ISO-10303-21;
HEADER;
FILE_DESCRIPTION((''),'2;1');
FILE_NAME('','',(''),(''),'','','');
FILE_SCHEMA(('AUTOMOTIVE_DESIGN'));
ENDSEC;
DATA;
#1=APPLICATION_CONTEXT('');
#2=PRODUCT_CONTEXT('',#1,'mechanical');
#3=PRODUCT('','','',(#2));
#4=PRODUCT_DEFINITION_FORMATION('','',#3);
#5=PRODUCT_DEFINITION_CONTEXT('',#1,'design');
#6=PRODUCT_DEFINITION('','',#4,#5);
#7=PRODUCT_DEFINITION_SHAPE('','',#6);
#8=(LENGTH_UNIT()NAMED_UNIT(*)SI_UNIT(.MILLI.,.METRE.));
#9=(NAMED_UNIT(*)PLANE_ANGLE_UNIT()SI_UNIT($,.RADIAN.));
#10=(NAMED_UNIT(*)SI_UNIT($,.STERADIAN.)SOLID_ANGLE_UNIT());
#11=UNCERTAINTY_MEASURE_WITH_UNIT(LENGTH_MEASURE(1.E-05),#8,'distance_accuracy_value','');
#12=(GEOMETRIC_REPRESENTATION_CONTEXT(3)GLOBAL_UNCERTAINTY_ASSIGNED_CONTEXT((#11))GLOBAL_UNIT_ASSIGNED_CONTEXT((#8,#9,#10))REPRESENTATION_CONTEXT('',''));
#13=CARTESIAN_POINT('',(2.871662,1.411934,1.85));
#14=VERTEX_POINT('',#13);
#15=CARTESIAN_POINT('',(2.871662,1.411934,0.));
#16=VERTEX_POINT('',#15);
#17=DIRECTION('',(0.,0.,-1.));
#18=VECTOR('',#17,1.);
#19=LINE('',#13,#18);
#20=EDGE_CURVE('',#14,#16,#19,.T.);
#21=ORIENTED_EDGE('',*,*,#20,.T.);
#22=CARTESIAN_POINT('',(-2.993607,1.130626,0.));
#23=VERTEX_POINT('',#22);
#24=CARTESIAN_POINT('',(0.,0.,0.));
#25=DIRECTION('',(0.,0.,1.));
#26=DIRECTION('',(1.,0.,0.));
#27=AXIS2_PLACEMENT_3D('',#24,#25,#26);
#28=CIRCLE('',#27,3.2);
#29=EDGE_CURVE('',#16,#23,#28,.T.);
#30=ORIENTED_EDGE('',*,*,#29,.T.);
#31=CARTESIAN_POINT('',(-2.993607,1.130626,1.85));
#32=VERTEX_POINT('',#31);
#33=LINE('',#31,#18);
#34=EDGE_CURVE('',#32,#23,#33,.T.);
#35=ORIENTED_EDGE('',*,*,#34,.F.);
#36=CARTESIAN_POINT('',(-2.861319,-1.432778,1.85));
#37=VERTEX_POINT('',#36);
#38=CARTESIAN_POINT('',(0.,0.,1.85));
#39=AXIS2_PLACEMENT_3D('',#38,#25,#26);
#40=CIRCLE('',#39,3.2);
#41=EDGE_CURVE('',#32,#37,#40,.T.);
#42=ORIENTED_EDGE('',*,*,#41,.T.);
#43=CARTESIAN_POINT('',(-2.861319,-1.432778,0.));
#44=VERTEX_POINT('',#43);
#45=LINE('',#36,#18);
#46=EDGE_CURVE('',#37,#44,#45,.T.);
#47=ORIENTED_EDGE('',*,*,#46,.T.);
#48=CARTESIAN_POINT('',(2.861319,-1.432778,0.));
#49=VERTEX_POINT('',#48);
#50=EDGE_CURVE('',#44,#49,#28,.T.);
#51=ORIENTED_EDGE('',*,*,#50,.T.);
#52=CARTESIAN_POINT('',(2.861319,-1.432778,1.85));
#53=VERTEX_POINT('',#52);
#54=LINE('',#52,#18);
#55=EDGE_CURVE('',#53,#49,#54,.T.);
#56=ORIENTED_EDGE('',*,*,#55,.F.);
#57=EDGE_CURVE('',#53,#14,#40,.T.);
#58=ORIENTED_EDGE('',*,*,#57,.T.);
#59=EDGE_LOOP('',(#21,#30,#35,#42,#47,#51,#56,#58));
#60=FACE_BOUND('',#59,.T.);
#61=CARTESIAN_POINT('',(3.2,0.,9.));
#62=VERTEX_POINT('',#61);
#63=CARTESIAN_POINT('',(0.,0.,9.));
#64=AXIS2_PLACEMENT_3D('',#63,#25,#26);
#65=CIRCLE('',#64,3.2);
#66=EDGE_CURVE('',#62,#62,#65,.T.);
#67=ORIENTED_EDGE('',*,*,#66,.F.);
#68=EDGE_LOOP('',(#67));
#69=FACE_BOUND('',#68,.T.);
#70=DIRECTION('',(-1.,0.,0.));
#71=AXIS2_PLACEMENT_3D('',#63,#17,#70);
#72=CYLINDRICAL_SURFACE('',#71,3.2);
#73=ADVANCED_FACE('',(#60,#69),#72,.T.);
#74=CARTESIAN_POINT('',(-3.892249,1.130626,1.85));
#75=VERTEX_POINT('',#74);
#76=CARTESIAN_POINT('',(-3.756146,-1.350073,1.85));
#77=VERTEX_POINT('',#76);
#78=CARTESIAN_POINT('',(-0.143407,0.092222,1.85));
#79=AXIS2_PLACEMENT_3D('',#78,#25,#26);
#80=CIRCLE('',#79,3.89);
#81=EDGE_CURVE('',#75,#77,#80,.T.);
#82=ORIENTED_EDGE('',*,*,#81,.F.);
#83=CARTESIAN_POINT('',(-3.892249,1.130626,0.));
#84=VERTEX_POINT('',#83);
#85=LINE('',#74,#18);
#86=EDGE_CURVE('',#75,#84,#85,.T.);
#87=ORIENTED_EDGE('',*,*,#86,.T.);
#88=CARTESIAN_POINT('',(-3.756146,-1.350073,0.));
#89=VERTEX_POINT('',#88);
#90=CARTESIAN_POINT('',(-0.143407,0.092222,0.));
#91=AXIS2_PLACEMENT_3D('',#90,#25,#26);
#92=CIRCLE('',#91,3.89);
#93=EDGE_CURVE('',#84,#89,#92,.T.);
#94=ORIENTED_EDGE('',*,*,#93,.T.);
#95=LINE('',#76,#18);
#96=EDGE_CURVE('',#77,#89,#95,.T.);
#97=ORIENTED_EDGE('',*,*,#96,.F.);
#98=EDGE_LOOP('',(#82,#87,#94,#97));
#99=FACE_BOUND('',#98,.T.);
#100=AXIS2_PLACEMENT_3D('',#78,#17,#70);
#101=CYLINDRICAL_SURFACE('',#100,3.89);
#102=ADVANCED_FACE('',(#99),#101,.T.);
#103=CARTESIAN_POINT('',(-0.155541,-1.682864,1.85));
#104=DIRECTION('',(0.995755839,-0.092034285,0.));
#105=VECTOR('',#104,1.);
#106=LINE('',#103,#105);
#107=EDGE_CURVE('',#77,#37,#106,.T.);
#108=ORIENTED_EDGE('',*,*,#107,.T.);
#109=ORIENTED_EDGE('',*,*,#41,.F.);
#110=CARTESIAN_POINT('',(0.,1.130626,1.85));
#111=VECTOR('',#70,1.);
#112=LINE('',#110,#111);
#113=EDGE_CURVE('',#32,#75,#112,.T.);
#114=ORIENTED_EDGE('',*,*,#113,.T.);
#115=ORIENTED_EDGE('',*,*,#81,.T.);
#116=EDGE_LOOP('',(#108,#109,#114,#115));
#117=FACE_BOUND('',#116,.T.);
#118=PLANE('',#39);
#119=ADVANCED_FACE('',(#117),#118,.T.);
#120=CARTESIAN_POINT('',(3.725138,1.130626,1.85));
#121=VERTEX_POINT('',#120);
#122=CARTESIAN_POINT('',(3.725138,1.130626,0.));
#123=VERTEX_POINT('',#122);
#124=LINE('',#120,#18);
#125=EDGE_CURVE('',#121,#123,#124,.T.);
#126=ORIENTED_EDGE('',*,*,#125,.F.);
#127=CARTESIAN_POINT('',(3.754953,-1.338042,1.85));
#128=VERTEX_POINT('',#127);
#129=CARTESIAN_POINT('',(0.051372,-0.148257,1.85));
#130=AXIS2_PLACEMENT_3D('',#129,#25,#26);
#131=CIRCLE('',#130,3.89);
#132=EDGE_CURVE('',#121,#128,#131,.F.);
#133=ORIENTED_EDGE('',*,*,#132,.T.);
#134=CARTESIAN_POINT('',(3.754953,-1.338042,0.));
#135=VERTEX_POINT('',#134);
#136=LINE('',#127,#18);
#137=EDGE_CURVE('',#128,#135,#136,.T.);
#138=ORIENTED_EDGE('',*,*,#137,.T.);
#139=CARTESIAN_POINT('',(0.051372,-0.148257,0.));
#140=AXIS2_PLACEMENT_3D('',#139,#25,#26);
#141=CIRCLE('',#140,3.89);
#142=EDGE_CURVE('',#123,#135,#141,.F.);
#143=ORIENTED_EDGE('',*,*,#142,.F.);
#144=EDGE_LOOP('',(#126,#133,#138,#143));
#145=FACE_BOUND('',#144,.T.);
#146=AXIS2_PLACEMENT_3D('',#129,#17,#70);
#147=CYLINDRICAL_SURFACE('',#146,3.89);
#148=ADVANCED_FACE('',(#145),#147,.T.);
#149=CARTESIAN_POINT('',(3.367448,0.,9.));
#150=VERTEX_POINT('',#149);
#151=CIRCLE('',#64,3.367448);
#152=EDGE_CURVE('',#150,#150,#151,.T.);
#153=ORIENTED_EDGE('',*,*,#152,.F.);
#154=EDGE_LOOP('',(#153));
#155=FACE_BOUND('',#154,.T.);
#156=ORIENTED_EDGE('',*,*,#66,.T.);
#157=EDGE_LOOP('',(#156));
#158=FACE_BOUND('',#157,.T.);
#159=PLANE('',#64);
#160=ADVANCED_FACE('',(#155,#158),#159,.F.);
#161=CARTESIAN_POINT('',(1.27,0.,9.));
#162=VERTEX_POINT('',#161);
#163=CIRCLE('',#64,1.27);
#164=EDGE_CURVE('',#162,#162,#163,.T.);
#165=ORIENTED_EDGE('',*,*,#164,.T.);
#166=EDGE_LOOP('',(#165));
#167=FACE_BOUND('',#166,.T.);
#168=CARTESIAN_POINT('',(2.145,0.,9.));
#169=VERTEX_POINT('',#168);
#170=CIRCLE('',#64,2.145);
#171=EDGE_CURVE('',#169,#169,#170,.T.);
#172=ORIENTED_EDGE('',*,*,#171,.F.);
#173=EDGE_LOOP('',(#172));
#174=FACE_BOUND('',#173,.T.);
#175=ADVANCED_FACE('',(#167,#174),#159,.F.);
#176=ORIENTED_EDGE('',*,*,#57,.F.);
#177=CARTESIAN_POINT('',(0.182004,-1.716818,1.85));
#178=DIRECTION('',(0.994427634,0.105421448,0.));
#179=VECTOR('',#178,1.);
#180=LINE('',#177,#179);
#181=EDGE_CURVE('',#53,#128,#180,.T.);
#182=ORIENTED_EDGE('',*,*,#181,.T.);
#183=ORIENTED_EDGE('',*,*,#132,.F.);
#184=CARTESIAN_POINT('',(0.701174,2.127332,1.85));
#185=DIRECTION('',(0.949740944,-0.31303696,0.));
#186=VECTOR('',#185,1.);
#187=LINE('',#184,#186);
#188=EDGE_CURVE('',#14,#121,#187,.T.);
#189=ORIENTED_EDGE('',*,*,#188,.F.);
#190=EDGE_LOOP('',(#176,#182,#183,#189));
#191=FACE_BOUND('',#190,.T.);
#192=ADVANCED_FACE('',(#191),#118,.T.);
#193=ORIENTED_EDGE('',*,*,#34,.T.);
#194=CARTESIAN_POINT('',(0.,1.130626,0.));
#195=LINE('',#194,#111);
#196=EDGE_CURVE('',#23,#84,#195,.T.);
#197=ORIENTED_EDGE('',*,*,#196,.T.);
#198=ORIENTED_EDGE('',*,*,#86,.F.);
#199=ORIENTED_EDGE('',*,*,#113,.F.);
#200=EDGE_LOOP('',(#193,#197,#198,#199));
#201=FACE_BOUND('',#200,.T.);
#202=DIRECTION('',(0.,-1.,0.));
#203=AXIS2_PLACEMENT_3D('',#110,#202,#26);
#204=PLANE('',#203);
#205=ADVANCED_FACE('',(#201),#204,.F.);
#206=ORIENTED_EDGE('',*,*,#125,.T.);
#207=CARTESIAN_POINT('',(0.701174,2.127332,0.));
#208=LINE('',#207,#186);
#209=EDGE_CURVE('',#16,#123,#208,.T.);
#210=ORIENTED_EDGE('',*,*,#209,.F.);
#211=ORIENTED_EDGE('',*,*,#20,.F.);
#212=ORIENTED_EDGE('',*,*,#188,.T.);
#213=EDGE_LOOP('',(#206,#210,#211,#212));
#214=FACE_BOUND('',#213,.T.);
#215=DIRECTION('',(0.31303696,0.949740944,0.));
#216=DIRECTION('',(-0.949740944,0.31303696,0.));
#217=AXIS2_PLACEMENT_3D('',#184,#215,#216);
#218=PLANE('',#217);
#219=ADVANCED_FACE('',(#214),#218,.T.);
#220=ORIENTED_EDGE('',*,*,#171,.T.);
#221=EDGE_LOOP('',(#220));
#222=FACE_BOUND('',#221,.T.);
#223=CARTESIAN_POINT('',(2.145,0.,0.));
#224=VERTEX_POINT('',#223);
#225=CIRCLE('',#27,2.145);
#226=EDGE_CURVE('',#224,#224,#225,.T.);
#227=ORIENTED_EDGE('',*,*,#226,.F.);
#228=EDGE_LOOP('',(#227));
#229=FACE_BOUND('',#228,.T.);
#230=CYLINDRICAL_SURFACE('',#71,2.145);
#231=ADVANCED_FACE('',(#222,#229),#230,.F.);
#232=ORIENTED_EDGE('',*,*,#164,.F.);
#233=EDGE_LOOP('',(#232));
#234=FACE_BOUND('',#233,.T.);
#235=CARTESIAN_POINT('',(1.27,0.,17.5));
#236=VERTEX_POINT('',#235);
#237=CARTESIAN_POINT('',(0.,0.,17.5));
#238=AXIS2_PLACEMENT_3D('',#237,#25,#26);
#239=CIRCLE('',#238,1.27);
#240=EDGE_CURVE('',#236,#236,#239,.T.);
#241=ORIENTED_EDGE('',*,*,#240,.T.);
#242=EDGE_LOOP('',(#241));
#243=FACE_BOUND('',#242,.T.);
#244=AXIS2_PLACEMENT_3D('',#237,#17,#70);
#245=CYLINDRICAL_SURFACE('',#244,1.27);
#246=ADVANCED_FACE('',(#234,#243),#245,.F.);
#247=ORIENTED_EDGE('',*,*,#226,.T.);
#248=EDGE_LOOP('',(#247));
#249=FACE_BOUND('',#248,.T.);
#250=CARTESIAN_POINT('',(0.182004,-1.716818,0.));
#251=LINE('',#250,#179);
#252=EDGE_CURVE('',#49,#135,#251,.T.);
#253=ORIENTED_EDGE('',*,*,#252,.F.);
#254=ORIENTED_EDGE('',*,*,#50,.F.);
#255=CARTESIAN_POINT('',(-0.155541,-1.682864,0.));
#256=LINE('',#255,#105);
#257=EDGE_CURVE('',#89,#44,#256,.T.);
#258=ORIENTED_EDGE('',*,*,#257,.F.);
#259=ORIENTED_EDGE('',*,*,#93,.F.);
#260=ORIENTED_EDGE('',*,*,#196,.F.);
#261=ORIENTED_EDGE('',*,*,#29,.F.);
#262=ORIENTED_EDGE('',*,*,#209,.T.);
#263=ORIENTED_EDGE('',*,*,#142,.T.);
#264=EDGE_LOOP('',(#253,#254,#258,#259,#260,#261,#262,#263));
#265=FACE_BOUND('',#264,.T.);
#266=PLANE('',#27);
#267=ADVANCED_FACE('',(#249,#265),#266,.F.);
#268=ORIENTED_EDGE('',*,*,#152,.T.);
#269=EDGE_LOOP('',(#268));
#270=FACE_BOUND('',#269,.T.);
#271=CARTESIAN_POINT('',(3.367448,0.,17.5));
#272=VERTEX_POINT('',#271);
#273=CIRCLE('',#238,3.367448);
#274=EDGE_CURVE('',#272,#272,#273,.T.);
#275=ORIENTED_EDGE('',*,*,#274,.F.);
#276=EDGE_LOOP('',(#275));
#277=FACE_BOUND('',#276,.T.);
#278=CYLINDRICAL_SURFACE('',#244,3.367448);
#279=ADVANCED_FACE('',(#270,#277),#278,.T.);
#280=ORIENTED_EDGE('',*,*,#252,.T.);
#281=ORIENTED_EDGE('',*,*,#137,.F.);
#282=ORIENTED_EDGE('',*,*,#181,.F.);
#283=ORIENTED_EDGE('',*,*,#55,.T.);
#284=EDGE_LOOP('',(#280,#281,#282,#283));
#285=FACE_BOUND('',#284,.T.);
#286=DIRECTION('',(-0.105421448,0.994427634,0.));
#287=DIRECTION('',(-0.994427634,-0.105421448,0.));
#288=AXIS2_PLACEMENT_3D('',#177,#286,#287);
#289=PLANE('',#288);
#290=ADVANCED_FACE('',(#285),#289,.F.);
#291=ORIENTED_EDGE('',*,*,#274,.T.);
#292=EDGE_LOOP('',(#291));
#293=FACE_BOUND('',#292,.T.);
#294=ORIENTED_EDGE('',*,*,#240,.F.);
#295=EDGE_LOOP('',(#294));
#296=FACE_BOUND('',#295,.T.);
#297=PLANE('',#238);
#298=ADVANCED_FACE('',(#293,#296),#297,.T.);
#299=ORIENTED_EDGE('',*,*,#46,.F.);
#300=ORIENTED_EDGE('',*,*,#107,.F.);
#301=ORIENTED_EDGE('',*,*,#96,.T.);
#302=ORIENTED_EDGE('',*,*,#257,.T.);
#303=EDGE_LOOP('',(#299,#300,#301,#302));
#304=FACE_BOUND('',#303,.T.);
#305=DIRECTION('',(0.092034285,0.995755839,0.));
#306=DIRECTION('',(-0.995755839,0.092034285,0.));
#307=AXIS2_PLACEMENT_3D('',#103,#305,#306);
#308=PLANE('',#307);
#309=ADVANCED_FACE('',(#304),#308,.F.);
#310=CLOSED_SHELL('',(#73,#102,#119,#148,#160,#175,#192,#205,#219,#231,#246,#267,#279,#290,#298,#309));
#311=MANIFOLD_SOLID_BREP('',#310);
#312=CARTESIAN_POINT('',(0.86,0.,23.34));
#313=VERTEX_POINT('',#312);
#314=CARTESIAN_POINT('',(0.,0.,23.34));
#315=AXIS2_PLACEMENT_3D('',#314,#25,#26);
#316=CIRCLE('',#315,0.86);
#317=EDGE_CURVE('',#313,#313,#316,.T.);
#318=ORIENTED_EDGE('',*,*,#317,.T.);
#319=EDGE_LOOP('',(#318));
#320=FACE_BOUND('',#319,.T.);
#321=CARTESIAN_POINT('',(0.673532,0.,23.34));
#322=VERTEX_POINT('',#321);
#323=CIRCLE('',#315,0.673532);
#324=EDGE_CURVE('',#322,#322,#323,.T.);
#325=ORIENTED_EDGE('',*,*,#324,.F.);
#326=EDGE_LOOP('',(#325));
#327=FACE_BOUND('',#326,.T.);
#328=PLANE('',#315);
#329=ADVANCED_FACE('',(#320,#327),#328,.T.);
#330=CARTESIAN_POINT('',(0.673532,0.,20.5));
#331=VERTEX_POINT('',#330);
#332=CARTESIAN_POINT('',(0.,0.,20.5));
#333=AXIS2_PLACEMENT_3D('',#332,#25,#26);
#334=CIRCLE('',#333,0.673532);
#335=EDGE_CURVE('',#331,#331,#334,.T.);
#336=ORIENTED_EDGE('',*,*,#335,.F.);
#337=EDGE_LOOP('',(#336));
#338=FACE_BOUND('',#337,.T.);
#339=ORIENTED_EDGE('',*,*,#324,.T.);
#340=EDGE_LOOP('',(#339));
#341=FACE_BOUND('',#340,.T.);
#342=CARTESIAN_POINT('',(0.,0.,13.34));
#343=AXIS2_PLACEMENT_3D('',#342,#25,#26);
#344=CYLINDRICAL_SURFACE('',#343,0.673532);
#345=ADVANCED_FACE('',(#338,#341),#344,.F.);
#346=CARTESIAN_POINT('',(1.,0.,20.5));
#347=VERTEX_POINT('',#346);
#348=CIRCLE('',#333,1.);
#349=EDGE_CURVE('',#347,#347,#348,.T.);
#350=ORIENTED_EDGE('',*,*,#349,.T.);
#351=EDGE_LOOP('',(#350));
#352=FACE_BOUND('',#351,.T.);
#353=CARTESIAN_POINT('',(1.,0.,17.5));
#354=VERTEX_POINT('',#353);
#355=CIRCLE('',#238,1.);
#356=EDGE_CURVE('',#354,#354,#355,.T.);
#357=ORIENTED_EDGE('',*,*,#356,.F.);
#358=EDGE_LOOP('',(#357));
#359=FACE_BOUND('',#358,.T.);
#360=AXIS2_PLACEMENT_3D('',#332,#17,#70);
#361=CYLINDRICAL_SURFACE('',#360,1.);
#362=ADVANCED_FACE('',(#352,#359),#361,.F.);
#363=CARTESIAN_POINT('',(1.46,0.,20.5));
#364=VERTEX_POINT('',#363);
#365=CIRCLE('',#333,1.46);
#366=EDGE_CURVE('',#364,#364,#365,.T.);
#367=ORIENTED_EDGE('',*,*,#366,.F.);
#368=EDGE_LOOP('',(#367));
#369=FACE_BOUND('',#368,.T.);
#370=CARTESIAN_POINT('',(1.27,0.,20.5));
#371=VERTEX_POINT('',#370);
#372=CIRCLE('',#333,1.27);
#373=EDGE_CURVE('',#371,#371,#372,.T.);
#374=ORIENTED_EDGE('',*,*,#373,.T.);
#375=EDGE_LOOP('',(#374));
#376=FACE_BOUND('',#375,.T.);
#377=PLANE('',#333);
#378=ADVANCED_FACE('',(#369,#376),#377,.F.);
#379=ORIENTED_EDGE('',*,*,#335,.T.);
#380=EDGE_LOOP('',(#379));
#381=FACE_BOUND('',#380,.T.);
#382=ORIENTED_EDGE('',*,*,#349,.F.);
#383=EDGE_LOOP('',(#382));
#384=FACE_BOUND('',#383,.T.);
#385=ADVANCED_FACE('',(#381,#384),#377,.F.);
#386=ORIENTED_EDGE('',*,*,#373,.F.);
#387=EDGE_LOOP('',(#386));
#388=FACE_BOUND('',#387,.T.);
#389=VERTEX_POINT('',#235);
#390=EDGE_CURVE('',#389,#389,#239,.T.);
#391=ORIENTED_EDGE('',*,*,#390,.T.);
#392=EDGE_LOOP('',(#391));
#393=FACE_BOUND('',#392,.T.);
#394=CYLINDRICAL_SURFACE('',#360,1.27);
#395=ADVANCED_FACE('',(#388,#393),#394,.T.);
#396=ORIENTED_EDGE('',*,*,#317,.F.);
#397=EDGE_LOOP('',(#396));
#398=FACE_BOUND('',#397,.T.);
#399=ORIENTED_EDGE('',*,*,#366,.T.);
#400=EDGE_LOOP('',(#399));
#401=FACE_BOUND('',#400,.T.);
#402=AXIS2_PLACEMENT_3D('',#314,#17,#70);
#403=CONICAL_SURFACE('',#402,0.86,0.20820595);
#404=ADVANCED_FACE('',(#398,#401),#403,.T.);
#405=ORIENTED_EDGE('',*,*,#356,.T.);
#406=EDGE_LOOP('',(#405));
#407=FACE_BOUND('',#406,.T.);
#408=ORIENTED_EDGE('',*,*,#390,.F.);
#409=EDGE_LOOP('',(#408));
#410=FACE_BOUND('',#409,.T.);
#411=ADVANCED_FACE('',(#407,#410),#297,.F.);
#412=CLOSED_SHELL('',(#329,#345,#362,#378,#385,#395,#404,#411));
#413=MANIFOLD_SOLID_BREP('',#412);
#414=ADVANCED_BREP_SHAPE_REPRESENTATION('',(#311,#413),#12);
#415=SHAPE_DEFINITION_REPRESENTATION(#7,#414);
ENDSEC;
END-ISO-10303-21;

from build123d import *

# Parameters (mm, degrees)
SKETCH1_R           = 3.2
BOSS_EXTRUDE1_DEPTH = 9
SKETCH1_371_R       = 2.145
CUT_EXTRUDE7_DEPTH  = 9
SKETCH2_R           = 3.367447595
SKETCH2_R_2         = 1.27
BOSS_EXTRUDE3_DEPTH = 8.5
BOSS_EXTRUDE4_DEPTH = 1.85
SKETCH7_R           = 1.27
SKETCH7_R_2         = 1
BOSS_EXTRUDE5_DEPTH = 3
SKETCH9_R           = 1.46
SKETCH10_R          = 0.86
SKETCH11_R          = 0.673532446
CUT_EXTRUDE8_DEPTH  = 10


with BuildPart() as part:
    # Sketch1 → Boss-Extrude1 (new body)
    with BuildSketch(Plane.XY):
        Circle(SKETCH1_R)
    extrude(amount=BOSS_EXTRUDE1_DEPTH)

    # Sketch1<371> → Cut-Extrude7 (cut)
    with BuildSketch(Plane.XY):
        Circle(SKETCH1_371_R)
    extrude(amount=CUT_EXTRUDE7_DEPTH, mode=Mode.SUBTRACT)

    # Sketch2 → Boss-Extrude3 (add)
    with BuildSketch(Plane.XY.offset(9)):
        Circle(SKETCH2_R)
        Circle(SKETCH2_R_2, mode=Mode.SUBTRACT)
    extrude(amount=BOSS_EXTRUDE3_DEPTH)

    # Sketch1<372> → Boss-Extrude4 (add)
    with BuildSketch(Plane.XY):
        with BuildLine():
            ThreePointArc((-2.861318951, -1.432778371), (-3.195747329, -0.164921217), (-2.993607202, 1.130626341))
            Line((-2.993607202, 1.130626341), (-3.892248535, 1.130626341))
            ThreePointArc((-3.892248535, 1.130626341), (-4.027565176, -0.120880773), (-3.756146306, -1.350072559))
            Line((-3.756146306, -1.350072559), (-2.861318951, -1.432778371))
        make_face()
        with BuildLine():
            Line((3.72513828, 1.130626341), (2.871661811, 1.411934292))
            ThreePointArc((2.871661811, 1.411934292), (3.116834756, 0.724804183), (3.2, 0))
            ThreePointArc((3.2, 0), (3.114178916, -0.736131563), (2.861318951, -1.432778371))
            Line((2.861318951, -1.432778371), (3.754952726, -1.3380423))
            ThreePointArc((3.754952726, -1.3380423), (3.94108837, -0.101279958), (3.72513828, 1.130626341))
        make_face()
    extrude(amount=BOSS_EXTRUDE4_DEPTH)


with BuildPart() as body_2:
    # Sketch7 → Boss-Extrude5 (new body)
    with BuildSketch(Plane.XY.offset(17.5)):
        Circle(SKETCH7_R)
        Circle(SKETCH7_R_2, mode=Mode.SUBTRACT)
    extrude(amount=BOSS_EXTRUDE5_DEPTH)

    # Sketch9 → Loft1 section 0
    with BuildSketch(Plane.XY.offset(20.5)):
        Circle(SKETCH9_R)
    # Sketch10 → Loft1 section 1
    with BuildSketch(Plane.XY.offset(23.34)):
        Circle(SKETCH10_R)
    loft()

    # Sketch11 → Cut-Extrude8 (cut)
    with BuildSketch(Plane.XY.offset(23.34)):
        Circle(SKETCH11_R)
    extrude(amount=-CUT_EXTRUDE8_DEPTH, mode=Mode.SUBTRACT)


solid = Compound([part.part, body_2.part])
